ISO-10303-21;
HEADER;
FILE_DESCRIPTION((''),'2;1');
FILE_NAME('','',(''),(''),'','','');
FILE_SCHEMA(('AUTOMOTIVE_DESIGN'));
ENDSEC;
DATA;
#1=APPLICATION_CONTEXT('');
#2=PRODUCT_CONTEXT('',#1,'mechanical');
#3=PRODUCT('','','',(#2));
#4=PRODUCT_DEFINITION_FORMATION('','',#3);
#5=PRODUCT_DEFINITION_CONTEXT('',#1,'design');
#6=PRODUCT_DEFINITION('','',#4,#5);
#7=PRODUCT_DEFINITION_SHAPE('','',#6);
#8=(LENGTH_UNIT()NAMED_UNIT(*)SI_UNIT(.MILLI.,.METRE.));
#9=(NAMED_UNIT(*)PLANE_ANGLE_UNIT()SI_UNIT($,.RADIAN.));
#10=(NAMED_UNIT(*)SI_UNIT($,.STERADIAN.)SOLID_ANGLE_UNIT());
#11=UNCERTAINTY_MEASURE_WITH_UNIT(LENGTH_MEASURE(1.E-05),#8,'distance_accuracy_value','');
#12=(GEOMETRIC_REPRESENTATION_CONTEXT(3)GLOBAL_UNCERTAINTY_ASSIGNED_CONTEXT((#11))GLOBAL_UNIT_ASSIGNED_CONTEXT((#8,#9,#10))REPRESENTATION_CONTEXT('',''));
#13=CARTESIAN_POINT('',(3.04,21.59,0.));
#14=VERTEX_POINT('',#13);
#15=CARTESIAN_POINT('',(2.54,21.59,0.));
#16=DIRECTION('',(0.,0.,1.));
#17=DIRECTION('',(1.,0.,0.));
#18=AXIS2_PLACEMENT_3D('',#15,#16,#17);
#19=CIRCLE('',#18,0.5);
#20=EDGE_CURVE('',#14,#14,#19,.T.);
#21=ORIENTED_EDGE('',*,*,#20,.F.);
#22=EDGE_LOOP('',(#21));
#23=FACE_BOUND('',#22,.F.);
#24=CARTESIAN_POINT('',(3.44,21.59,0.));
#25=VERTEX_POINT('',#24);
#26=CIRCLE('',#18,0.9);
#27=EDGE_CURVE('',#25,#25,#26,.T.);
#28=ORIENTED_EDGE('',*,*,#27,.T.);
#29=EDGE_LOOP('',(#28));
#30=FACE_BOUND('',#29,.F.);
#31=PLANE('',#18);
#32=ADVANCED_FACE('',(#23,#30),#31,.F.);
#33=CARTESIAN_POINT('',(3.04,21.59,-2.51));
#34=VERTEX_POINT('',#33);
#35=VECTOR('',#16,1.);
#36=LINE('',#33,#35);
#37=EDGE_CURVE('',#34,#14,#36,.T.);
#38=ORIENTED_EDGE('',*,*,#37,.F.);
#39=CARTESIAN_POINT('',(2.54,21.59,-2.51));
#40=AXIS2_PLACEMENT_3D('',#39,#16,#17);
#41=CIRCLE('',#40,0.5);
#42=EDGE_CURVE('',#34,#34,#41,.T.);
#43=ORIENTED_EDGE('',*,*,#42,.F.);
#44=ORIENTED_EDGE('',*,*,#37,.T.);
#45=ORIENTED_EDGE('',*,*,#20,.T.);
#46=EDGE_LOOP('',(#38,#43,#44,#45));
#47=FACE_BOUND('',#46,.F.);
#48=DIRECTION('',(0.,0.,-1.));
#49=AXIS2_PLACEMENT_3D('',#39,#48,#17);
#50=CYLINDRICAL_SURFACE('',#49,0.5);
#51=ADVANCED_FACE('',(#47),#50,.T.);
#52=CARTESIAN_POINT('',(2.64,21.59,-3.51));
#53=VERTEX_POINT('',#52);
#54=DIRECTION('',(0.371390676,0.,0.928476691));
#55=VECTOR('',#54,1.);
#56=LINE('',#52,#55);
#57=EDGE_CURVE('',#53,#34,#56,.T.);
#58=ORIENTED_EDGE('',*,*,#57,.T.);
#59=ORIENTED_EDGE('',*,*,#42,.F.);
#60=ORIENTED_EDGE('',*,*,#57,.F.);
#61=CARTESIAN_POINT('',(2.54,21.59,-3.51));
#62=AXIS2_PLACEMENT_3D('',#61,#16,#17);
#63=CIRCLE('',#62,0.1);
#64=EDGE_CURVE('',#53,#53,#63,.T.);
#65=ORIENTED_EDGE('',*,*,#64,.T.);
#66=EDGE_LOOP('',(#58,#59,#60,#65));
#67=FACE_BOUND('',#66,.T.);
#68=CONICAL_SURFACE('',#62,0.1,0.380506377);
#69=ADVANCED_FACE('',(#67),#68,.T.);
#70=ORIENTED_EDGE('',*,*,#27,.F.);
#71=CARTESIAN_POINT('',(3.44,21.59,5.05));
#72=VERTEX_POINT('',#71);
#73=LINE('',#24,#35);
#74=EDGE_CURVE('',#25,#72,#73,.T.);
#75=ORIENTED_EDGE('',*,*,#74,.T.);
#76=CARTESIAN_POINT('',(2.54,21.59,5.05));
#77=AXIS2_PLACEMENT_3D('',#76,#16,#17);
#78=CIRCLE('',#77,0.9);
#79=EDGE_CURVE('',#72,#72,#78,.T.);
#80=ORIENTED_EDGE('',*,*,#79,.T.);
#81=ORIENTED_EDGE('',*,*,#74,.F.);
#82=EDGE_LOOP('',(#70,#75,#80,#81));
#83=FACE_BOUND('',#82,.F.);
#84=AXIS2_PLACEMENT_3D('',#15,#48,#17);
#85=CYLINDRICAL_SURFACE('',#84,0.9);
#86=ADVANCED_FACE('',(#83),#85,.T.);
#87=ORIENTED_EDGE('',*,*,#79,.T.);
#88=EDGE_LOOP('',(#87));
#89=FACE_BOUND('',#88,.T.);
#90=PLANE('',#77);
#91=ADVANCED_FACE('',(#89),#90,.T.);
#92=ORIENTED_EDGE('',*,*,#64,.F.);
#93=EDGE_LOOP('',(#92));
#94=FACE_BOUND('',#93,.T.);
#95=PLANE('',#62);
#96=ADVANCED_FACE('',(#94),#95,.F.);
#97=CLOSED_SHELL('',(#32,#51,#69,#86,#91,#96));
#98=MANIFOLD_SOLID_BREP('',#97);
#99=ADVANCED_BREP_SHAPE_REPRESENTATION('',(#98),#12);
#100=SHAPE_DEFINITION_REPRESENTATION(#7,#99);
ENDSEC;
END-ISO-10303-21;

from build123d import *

# Parameters (mm, degrees)
CYLINDER003_R     = 0.5
CYLINDER003_DEPTH = 2.51
CYLINDER004_R     = 0.9
CYLINDER004_DEPTH = 5.05


with BuildPart() as cylinder003:
    # Cylinder003 → Cylinder003 (new body)
    with BuildSketch(Plane(origin=(2.54, 0, -2.51), x_dir=(1, 0, 0), z_dir=(0, 0, 1))):
        Circle(CYLINDER003_R)
    extrude(amount=CYLINDER003_DEPTH)


with BuildPart() as cone001:
    # Cone001 → Cone001 (revolve)
    with BuildSketch(Plane(origin=(2.54, 0, -3.51), x_dir=(1, 0, 0), z_dir=(0, -1, 0))):
        Polygon((0, 0), (0.1, 0), (0.5, 1), (0, 1), align=None)
    revolve(axis=Axis((2.54, 0, -3.51), (0, 0, 1)))


with BuildPart() as fusion001:
    # Cylinder004 → Cylinder004 (new body)
    with BuildSketch(Plane(origin=(2.54, 0, 0), x_dir=(1, 0, 0), z_dir=(0, 0, 1))):
        Circle(CYLINDER004_R)
    extrude(amount=CYLINDER004_DEPTH)

    # Fusion001: union Cylinder003, Cone001
    add(cylinder003.part)
    add(cone001.part)


with BuildPart() as fusion001_1:
    # Fusion001 placement: moved
    add(fusion001.part.moved(Location((0, 21.59, 0))))


solid = fusion001_1.part
